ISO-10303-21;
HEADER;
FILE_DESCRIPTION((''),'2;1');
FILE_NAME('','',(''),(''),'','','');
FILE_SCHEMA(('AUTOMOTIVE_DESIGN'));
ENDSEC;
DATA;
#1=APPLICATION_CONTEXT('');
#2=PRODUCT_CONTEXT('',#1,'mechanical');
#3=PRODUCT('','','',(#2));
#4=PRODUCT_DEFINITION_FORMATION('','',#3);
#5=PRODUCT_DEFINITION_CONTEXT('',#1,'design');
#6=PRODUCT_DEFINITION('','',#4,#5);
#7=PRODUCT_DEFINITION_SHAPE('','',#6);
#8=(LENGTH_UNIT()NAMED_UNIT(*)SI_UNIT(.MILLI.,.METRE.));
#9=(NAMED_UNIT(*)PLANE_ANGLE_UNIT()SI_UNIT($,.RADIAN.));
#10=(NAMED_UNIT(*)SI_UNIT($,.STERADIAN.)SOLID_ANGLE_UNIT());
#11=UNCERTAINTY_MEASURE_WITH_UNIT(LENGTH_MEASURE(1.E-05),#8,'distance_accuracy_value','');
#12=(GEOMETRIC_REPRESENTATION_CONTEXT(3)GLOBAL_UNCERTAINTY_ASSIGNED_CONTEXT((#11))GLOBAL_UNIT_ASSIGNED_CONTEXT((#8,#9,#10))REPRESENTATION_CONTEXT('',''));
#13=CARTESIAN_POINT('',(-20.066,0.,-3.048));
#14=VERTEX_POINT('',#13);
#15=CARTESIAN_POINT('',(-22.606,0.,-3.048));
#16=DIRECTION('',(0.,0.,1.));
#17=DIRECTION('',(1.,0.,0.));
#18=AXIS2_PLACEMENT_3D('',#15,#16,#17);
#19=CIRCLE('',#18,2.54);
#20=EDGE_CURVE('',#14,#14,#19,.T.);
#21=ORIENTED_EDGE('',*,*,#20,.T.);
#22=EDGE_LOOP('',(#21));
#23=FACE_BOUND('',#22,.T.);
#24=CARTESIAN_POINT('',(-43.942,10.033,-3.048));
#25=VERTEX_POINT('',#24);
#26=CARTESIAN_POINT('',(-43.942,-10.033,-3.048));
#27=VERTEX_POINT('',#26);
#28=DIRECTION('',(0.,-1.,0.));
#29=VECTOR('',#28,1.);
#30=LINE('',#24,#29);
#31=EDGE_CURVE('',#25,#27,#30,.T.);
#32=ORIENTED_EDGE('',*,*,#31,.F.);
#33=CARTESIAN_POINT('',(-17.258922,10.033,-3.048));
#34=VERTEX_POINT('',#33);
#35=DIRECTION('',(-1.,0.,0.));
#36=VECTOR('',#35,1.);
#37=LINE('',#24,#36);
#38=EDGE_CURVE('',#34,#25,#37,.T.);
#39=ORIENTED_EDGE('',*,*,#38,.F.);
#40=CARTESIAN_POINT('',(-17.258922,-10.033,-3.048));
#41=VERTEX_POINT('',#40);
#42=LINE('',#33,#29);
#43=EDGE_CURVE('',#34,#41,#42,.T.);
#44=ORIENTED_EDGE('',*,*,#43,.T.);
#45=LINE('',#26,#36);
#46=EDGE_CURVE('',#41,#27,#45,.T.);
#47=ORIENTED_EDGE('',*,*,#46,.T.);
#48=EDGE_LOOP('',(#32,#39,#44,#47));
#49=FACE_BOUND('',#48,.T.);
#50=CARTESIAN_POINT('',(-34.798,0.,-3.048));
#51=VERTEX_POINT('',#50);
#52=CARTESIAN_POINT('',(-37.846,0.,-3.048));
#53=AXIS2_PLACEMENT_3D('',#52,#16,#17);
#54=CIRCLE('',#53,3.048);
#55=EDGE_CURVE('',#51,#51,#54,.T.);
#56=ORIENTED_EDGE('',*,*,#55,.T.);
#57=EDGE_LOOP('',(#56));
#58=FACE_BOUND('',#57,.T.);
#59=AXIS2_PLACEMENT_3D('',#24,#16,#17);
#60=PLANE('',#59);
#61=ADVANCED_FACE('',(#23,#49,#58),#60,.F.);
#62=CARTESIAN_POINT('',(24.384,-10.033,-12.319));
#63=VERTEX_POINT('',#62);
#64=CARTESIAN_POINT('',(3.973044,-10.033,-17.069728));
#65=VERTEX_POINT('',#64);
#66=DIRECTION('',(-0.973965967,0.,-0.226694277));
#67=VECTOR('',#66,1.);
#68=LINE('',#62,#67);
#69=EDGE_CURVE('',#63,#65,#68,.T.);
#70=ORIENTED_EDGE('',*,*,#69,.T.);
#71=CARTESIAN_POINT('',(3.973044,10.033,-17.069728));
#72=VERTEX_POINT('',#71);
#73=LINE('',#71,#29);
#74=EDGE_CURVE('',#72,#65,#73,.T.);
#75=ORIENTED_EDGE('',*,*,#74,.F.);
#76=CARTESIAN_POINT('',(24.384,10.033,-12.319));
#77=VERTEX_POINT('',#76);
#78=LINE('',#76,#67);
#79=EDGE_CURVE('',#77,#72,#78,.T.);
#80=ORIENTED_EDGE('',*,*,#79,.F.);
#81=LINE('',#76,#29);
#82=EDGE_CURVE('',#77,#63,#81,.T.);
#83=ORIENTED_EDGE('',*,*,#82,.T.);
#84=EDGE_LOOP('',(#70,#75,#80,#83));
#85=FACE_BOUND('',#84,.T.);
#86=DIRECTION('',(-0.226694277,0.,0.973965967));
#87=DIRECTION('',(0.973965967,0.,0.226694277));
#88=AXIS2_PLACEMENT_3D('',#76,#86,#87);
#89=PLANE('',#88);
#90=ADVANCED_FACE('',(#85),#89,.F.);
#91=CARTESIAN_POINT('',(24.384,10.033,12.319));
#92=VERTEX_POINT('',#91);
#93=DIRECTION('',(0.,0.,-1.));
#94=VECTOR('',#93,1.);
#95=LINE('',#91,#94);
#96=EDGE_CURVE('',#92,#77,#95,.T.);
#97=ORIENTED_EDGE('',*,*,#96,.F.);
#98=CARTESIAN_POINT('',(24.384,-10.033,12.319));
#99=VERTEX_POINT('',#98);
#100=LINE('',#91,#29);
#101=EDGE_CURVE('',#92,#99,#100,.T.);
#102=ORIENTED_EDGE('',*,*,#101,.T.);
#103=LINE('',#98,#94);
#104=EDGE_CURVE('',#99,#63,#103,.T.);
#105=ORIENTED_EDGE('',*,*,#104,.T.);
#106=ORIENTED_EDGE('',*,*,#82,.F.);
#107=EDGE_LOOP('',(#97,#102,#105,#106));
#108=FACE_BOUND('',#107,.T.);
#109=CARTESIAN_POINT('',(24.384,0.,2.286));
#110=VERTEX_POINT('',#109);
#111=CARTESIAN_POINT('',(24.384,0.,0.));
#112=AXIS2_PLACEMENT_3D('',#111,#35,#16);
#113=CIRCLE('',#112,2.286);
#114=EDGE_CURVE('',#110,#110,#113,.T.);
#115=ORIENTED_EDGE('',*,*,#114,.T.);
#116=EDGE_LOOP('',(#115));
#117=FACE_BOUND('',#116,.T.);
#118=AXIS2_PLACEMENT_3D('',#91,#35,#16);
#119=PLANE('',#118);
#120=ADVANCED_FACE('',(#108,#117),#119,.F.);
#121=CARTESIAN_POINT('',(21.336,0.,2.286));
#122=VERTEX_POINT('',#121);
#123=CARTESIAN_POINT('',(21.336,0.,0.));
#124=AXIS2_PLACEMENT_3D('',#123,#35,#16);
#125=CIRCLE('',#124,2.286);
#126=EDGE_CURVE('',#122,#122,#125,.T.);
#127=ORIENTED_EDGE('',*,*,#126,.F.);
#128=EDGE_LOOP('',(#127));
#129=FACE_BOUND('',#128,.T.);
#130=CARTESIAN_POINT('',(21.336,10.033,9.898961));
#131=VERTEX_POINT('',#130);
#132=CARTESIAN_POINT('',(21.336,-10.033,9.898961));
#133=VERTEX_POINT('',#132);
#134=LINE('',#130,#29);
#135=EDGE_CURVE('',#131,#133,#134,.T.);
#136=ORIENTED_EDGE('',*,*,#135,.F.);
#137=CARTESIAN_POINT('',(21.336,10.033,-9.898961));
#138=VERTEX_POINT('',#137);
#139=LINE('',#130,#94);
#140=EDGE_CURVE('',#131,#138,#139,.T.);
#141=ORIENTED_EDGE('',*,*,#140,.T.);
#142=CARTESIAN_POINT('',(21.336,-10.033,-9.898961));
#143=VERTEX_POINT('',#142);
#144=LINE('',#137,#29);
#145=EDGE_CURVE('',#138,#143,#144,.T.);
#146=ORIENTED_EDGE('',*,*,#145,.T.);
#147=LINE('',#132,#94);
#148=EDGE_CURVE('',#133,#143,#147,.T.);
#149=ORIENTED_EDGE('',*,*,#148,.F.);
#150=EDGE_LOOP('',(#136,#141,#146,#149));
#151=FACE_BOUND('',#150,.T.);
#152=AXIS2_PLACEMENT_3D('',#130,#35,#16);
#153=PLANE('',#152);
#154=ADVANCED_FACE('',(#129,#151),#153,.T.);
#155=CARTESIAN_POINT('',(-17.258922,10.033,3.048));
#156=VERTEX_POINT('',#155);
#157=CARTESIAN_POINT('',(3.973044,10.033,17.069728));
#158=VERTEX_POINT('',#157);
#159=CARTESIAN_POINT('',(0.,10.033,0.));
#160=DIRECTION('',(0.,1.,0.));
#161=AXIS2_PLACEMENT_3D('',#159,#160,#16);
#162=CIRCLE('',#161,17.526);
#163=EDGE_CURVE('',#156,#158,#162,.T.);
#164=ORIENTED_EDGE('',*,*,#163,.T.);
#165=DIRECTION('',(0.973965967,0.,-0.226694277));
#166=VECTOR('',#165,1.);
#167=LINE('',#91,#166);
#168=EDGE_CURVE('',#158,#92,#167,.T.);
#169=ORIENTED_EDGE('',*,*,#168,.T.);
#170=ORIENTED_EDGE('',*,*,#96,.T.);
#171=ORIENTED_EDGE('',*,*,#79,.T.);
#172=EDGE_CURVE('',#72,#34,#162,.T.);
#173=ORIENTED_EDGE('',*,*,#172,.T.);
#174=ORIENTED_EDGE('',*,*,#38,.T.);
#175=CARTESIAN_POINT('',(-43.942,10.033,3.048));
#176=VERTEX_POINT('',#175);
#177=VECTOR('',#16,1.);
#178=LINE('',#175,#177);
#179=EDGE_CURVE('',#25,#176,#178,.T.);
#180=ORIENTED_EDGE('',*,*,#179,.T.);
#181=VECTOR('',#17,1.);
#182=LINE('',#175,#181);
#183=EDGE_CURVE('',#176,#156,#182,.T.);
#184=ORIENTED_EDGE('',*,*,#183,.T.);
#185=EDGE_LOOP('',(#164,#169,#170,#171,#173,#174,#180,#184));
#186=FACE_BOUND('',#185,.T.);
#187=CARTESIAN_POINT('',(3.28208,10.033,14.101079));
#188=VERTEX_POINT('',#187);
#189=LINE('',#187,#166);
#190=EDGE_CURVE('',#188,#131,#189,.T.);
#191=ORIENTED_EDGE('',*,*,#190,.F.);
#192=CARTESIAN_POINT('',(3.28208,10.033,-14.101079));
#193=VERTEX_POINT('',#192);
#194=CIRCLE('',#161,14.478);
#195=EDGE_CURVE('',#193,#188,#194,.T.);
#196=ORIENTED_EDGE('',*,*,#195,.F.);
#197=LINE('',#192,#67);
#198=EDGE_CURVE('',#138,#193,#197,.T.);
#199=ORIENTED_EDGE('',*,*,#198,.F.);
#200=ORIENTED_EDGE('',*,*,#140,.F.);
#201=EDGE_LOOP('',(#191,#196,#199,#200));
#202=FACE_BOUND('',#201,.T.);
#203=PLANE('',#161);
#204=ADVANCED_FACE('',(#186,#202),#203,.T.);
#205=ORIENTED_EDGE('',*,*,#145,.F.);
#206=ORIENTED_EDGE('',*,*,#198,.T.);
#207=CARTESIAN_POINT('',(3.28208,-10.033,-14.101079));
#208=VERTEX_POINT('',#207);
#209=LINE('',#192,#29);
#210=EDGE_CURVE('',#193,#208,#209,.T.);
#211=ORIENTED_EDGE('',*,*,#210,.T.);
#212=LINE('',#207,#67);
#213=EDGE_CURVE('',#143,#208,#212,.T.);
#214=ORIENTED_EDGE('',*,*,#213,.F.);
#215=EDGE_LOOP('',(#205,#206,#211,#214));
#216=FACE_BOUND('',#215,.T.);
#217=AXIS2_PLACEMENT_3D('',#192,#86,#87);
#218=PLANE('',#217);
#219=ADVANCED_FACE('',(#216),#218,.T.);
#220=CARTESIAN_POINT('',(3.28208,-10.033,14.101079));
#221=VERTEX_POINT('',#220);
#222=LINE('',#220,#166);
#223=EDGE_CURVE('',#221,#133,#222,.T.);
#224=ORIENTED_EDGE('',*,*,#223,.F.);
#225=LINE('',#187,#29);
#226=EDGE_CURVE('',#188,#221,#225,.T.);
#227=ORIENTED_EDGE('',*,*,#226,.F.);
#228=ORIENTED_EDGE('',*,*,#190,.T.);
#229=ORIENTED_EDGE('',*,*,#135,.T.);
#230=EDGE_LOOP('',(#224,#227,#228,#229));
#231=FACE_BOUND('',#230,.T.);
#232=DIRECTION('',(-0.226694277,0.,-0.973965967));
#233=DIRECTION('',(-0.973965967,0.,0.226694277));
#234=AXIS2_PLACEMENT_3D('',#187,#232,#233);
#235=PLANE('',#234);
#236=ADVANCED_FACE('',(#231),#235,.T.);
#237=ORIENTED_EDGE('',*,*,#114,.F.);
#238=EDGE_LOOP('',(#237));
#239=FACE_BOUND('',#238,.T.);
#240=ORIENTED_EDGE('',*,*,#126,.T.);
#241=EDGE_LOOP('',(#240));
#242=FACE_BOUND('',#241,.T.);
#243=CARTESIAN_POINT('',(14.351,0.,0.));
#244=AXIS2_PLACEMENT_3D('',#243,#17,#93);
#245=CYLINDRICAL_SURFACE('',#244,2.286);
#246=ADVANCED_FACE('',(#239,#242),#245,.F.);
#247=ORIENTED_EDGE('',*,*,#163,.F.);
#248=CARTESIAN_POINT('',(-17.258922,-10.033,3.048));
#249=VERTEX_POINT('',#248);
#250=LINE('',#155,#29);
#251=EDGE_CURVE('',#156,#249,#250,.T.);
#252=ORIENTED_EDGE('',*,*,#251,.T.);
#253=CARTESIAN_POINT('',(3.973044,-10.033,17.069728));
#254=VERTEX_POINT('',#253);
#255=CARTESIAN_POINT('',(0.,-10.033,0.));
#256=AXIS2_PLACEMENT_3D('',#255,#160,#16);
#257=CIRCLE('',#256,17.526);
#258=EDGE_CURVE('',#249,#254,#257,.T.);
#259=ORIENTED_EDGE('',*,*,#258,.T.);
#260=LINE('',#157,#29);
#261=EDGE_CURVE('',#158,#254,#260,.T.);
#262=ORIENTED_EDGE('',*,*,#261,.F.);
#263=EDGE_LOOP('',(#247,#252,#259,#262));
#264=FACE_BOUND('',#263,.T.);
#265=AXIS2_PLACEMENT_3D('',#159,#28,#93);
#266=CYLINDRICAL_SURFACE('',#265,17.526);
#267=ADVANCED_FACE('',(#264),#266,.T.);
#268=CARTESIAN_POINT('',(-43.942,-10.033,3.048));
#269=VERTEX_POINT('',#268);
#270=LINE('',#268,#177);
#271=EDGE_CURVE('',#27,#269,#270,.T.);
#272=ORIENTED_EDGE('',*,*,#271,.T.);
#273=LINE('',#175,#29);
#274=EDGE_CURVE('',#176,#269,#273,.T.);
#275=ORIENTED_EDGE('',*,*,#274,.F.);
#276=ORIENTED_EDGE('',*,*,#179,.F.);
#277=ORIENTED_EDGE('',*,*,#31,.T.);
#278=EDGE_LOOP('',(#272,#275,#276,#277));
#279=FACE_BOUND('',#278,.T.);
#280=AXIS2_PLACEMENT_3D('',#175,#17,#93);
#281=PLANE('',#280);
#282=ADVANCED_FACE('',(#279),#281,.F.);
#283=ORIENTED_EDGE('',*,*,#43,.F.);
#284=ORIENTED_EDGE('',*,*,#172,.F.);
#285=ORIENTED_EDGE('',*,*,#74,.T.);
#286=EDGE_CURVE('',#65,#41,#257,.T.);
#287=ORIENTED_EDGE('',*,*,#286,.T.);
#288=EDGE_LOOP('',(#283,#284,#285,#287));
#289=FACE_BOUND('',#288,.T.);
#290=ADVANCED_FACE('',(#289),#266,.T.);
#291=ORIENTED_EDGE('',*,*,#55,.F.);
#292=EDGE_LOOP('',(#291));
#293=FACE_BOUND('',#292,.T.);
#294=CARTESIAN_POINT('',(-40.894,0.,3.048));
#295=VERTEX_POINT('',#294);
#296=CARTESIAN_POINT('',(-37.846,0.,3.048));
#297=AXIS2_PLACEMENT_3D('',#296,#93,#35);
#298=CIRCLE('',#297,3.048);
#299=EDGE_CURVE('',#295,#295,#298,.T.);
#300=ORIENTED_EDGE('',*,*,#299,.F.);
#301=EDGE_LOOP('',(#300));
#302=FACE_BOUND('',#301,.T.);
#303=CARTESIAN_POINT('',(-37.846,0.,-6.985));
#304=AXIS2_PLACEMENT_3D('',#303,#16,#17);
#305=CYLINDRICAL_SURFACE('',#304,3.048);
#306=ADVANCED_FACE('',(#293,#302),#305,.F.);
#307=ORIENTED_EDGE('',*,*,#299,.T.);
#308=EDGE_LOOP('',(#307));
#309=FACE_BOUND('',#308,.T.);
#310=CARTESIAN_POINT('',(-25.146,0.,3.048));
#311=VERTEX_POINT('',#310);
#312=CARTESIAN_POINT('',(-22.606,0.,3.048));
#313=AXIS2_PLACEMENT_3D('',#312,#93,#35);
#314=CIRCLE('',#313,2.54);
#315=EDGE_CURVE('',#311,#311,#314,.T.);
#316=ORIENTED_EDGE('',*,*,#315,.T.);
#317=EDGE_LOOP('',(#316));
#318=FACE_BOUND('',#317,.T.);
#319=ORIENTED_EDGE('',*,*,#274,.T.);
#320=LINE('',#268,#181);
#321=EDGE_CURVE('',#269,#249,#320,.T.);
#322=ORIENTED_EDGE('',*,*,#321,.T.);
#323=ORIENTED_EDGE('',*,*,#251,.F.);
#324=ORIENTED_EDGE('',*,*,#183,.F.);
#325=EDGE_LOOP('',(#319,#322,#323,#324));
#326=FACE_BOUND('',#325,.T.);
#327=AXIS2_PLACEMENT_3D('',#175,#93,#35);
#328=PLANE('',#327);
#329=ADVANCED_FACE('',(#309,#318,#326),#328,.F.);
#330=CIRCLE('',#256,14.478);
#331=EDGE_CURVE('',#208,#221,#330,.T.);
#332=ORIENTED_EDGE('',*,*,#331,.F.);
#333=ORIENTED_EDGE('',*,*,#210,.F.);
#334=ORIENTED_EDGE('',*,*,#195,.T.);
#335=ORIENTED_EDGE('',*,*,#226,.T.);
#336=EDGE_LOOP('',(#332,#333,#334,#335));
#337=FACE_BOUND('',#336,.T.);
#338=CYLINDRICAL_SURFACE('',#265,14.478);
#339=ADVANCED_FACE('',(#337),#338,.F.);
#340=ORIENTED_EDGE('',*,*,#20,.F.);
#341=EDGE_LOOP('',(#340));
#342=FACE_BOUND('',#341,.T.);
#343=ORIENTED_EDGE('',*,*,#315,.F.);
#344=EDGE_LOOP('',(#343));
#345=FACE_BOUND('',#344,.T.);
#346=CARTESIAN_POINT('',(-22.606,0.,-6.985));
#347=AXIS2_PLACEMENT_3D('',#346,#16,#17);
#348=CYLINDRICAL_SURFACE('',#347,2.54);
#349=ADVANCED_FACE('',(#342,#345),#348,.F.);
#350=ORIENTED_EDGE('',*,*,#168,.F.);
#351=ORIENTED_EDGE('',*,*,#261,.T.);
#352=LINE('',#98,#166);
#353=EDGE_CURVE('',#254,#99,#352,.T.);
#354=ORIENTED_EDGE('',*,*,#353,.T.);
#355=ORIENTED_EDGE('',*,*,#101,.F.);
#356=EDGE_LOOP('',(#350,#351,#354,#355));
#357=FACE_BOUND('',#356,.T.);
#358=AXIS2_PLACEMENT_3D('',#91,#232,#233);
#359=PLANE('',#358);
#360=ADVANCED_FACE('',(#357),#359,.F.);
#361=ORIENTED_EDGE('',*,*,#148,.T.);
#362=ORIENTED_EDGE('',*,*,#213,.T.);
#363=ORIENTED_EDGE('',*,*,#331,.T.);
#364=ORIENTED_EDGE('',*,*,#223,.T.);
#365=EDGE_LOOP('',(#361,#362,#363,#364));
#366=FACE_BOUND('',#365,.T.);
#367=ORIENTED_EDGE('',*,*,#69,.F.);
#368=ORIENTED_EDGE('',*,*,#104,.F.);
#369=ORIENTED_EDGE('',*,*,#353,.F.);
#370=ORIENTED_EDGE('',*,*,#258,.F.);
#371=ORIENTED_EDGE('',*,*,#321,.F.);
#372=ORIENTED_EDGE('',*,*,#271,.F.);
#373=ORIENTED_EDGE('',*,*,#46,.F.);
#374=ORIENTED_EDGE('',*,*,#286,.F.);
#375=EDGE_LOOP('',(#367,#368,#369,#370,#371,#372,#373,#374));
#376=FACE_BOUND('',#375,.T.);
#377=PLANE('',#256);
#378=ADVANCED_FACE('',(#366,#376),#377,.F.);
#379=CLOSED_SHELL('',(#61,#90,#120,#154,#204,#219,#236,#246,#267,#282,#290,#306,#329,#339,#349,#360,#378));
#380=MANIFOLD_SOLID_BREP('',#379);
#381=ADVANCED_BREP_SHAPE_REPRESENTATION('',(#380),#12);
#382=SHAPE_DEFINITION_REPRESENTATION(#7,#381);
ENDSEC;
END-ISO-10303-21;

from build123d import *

# Parameters (mm, degrees)
BOSS_EXTRUDE1_DEPTH = 10.033
SKETCH2_R           = 3.048
SKETCH2_R_2         = 2.54
CUT_EXTRUDE1_DEPTH  = 10.033
SKETCH3_R           = 2.286
CUT_EXTRUDE2_DEPTH  = 10.033


with BuildPart() as part:
    # Sketch1 → Boss-Extrude1 (new body, symmetric)
    with BuildSketch(Plane(origin=(0, 0, 0), x_dir=(1, 0, 0), z_dir=(0, 1, 0))):
        with BuildLine():
            Line((24.384, -12.319), (24.384, 12.319))
            Line((24.384, 12.319), (3.973043901, 17.069727536))
            ThreePointArc((3.973043901, 17.069727536), (-9.658201012, 14.624630908), (-17.258921519, 3.048))
            Line((-17.258921519, 3.048), (-43.942, 3.048))
            Line((-43.942, 3.048), (-43.942, -3.048))
            Line((-43.942, -3.048), (-17.258921519, -3.048))
            ThreePointArc((-17.258921519, -3.048), (-9.658201012, -14.624630908), (3.973043901, -17.069727536))
            Line((3.973043901, -17.069727536), (24.384, -12.319))
        make_face()
        with BuildLine():
            Line((21.336, -9.898960775), (21.336, 9.898960775))
            Line((21.336, 9.898960775), (3.282079744, 14.101079269))
            ThreePointArc((3.282079744, 14.101079269), (-14.478, 0), (3.282079744, -14.101079269))
            Line((3.282079744, -14.101079269), (21.336, -9.898960775))
        make_face(mode=Mode.SUBTRACT)
    extrude(amount=BOSS_EXTRUDE1_DEPTH, both=True)

    # Sketch2 → Cut-Extrude1 (cut, symmetric)
    with BuildSketch(Plane.XY.offset(3.048)):
        with Locations((-37.846, 0)):
            Circle(SKETCH2_R)
        with Locations((-22.606, 0)):
            Circle(SKETCH2_R_2)
    extrude(amount=CUT_EXTRUDE1_DEPTH, both=True, mode=Mode.SUBTRACT)

    # Sketch3 → Cut-Extrude2 (cut, symmetric)
    with BuildSketch(Plane(origin=(24.384, 0, 0), x_dir=(0, 0, -1), z_dir=(1, 0, 0))):
        Circle(SKETCH3_R)
    extrude(amount=CUT_EXTRUDE2_DEPTH, both=True, mode=Mode.SUBTRACT)


solid = part.part
